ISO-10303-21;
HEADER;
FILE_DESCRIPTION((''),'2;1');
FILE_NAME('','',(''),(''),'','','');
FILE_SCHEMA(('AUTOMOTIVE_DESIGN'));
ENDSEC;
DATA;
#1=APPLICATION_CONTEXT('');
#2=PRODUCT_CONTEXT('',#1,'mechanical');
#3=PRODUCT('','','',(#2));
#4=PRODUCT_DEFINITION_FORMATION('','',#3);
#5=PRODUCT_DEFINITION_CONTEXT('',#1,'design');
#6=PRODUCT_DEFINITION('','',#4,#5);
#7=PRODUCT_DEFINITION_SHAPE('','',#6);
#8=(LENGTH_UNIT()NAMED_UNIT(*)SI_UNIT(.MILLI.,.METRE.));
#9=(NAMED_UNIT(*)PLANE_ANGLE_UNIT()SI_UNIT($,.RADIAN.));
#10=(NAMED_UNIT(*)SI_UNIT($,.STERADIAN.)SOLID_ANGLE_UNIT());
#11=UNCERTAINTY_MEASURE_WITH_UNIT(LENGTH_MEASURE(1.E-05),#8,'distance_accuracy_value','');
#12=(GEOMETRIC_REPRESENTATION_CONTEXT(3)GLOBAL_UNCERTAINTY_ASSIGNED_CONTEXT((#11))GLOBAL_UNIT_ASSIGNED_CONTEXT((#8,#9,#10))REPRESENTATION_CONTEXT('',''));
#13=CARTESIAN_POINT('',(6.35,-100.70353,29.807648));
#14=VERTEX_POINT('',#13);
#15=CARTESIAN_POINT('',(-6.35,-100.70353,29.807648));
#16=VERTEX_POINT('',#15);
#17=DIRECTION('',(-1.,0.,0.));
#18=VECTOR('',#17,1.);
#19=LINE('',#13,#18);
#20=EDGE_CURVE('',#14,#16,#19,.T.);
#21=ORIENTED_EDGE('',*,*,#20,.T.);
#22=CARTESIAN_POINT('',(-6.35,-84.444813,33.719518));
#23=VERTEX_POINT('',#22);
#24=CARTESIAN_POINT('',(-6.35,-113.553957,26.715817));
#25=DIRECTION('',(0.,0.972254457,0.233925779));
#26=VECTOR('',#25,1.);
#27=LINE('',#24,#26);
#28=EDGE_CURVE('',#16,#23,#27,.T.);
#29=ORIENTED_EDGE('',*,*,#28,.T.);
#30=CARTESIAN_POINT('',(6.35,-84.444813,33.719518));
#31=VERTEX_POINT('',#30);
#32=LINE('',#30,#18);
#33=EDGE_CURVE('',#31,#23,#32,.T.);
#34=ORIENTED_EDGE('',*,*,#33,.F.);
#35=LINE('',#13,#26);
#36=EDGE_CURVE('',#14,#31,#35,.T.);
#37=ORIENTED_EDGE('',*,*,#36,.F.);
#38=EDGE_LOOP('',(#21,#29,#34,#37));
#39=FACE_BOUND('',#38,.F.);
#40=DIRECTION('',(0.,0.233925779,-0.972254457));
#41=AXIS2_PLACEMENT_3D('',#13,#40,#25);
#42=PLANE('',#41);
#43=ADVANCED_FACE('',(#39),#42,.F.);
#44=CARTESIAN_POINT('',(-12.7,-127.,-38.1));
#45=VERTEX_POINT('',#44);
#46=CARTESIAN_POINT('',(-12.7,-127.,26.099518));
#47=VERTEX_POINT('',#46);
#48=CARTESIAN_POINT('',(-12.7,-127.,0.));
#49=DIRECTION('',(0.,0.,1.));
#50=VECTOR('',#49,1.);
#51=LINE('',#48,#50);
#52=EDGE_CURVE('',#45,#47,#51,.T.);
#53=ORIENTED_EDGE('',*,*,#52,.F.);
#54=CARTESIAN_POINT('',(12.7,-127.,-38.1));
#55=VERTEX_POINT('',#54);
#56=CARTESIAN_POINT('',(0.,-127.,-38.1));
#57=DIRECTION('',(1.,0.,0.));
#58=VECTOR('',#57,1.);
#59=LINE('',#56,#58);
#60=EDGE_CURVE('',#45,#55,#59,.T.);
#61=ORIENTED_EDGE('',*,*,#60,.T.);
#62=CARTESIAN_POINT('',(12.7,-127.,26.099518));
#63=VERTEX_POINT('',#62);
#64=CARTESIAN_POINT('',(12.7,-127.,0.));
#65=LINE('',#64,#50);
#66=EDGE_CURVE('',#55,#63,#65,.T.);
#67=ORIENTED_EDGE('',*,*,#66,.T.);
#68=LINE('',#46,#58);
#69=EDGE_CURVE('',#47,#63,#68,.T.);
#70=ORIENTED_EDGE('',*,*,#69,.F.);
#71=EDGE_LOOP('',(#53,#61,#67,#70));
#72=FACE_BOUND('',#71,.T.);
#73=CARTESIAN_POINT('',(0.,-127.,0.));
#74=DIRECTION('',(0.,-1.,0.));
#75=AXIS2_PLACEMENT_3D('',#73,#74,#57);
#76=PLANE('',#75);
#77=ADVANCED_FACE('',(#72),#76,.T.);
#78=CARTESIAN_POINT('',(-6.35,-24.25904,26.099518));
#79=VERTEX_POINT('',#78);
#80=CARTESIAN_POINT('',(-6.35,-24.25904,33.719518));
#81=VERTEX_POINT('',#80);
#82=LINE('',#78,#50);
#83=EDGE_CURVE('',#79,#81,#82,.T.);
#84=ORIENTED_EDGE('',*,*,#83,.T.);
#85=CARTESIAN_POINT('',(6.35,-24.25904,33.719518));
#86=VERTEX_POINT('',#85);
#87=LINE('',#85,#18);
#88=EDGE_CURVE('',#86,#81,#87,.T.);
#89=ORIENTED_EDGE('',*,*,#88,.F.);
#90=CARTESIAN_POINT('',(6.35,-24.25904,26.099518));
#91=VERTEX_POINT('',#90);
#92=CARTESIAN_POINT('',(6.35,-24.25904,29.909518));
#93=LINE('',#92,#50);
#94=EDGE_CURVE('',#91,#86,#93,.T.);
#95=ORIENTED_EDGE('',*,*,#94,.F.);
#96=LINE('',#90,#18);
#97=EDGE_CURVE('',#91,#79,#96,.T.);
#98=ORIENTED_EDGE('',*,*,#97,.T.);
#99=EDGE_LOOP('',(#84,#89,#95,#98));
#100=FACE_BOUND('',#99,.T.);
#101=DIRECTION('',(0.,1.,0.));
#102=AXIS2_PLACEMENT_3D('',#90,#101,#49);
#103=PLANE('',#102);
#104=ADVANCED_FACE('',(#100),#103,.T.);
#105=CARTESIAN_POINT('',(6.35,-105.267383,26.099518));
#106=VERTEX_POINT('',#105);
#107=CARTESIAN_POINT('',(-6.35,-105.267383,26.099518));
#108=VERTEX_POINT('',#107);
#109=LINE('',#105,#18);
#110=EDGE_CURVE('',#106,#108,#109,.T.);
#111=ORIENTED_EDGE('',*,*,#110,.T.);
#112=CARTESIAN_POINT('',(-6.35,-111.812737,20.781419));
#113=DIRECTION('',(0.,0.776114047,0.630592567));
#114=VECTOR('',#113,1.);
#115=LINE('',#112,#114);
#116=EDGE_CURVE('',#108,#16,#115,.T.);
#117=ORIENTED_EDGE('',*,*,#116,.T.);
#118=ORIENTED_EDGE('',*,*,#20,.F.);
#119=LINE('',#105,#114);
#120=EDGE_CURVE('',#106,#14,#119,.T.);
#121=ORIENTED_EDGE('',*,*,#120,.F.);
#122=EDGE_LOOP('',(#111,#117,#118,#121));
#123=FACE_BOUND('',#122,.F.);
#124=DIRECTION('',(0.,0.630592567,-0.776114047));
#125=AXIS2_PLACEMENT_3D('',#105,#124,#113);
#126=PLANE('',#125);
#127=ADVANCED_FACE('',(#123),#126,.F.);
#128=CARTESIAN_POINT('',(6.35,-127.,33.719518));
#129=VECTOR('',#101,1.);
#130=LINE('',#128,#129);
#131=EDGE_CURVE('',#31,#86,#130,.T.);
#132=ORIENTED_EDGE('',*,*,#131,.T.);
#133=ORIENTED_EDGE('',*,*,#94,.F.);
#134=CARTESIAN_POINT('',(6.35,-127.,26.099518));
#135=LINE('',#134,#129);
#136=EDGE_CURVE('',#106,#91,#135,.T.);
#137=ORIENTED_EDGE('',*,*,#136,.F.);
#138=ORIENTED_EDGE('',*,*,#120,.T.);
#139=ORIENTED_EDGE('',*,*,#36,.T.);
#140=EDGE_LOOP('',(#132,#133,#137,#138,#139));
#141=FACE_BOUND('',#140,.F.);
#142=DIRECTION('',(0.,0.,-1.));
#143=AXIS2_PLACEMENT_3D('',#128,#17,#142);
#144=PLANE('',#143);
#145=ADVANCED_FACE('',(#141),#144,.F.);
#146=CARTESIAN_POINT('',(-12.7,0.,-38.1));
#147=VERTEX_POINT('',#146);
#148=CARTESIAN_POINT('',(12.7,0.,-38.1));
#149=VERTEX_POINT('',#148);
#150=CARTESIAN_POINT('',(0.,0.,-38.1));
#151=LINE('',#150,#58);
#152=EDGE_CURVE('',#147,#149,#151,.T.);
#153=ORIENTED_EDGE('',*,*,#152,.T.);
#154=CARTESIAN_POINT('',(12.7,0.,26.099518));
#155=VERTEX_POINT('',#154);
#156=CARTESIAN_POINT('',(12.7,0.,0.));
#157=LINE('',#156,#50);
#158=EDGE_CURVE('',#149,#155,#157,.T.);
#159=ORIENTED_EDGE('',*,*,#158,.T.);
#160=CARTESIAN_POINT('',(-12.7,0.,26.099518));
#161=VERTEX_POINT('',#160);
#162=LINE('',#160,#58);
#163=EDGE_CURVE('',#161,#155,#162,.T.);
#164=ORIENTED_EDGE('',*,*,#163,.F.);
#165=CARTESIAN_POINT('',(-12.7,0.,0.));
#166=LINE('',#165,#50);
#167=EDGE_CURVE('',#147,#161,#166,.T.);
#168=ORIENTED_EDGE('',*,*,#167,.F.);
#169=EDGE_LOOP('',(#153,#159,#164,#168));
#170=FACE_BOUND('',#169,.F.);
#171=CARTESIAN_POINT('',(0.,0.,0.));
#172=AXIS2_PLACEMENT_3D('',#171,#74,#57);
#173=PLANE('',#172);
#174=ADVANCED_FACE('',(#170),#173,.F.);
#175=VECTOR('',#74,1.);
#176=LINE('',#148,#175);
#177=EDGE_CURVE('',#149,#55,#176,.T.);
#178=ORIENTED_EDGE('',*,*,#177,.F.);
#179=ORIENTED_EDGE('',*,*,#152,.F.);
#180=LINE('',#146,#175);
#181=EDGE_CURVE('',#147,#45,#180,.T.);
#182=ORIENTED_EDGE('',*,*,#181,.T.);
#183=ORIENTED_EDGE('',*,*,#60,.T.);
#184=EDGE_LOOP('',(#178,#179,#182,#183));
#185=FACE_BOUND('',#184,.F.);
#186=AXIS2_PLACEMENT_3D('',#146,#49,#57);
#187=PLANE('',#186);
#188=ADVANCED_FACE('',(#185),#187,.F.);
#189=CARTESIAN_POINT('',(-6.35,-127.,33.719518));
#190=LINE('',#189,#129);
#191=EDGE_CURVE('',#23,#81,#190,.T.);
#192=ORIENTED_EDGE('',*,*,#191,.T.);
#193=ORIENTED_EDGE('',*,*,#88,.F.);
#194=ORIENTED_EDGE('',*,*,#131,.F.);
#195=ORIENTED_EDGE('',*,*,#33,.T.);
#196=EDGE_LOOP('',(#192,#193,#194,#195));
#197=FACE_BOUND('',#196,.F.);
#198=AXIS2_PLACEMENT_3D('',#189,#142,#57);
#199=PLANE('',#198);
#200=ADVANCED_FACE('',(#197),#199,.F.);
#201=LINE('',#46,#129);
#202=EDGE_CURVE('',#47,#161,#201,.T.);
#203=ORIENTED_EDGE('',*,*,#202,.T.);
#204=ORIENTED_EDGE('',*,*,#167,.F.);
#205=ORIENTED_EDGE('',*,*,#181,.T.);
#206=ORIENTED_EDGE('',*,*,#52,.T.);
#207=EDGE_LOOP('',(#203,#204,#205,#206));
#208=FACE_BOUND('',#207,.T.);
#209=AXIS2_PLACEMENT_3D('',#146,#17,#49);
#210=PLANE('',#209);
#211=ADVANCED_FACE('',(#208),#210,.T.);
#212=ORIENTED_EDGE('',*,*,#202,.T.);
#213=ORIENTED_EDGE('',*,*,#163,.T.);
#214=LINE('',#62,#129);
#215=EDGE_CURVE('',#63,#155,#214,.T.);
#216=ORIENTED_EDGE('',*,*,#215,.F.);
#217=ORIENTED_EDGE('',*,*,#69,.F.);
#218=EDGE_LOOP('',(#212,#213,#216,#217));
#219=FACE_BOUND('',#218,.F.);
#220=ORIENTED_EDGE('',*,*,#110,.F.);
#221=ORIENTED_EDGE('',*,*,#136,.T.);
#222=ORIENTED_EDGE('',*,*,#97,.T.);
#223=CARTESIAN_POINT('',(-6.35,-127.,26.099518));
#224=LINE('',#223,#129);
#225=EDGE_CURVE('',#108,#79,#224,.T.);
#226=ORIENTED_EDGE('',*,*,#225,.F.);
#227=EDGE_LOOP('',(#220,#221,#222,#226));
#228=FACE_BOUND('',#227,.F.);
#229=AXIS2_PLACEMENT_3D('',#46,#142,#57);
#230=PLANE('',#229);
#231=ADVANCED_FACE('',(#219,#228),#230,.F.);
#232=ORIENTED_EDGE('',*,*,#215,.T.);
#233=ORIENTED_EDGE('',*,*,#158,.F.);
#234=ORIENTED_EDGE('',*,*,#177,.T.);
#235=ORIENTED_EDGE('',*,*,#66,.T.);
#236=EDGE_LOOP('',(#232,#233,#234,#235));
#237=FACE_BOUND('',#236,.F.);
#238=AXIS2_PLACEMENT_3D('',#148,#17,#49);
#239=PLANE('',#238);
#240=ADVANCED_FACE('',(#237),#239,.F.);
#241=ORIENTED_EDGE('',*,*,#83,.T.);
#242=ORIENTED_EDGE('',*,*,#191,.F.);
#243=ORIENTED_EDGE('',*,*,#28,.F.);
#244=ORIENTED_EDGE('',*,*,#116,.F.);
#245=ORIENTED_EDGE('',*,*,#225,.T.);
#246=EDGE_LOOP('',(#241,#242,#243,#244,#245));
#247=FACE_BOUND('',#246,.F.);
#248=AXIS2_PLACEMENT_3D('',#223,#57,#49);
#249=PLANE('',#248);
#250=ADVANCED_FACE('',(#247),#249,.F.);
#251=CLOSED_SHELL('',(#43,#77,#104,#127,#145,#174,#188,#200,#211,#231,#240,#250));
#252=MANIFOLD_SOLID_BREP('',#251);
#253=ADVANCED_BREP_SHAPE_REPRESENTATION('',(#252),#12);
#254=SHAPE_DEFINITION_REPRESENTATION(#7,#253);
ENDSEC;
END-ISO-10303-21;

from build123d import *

# Parameters (mm, degrees)
F0_W     = 25.4
F0_H     = 76.2
F1_DEPTH = 127
F3_DEPTH = 177.8
F4_W     = 24.25904
F4_H     = 7.62
F5_DEPTH = 25.4


with BuildPart() as f1:
    # F0 (on Front) → F1 (new body)
    with BuildSketch(Plane.XZ):
        Rectangle(F0_W, F0_H)
    extrude(amount=F1_DEPTH)

    # F2 (on face) → F3 (cut)
    with BuildSketch(Plane.XZ.offset(127)):
        Polygon((6.35, 26.099518), (12.7, 26.099518), (12.7, 38.1), (-12.7, 38.1), (-12.7, 26.099518), (-6.35, 26.099518), (-6.35, 33.719518), (6.35, 33.719518), align=None)
    extrude(amount=-F3_DEPTH, mode=Mode.SUBTRACT)

    # F4 (on face) → F5 (cut)
    with BuildSketch(Plane.YZ.offset(6.35)):
        Polygon((-100.70353, 29.807648), (-84.444813, 33.719518), (-127, 33.719518), (-127, 26.099518), (-105.267383, 26.099518), align=None)
        with Locations((-12.12952, 29.909518)):
            Rectangle(F4_W, F4_H)
    extrude(amount=-F5_DEPTH, mode=Mode.SUBTRACT)


solid = f1.part
